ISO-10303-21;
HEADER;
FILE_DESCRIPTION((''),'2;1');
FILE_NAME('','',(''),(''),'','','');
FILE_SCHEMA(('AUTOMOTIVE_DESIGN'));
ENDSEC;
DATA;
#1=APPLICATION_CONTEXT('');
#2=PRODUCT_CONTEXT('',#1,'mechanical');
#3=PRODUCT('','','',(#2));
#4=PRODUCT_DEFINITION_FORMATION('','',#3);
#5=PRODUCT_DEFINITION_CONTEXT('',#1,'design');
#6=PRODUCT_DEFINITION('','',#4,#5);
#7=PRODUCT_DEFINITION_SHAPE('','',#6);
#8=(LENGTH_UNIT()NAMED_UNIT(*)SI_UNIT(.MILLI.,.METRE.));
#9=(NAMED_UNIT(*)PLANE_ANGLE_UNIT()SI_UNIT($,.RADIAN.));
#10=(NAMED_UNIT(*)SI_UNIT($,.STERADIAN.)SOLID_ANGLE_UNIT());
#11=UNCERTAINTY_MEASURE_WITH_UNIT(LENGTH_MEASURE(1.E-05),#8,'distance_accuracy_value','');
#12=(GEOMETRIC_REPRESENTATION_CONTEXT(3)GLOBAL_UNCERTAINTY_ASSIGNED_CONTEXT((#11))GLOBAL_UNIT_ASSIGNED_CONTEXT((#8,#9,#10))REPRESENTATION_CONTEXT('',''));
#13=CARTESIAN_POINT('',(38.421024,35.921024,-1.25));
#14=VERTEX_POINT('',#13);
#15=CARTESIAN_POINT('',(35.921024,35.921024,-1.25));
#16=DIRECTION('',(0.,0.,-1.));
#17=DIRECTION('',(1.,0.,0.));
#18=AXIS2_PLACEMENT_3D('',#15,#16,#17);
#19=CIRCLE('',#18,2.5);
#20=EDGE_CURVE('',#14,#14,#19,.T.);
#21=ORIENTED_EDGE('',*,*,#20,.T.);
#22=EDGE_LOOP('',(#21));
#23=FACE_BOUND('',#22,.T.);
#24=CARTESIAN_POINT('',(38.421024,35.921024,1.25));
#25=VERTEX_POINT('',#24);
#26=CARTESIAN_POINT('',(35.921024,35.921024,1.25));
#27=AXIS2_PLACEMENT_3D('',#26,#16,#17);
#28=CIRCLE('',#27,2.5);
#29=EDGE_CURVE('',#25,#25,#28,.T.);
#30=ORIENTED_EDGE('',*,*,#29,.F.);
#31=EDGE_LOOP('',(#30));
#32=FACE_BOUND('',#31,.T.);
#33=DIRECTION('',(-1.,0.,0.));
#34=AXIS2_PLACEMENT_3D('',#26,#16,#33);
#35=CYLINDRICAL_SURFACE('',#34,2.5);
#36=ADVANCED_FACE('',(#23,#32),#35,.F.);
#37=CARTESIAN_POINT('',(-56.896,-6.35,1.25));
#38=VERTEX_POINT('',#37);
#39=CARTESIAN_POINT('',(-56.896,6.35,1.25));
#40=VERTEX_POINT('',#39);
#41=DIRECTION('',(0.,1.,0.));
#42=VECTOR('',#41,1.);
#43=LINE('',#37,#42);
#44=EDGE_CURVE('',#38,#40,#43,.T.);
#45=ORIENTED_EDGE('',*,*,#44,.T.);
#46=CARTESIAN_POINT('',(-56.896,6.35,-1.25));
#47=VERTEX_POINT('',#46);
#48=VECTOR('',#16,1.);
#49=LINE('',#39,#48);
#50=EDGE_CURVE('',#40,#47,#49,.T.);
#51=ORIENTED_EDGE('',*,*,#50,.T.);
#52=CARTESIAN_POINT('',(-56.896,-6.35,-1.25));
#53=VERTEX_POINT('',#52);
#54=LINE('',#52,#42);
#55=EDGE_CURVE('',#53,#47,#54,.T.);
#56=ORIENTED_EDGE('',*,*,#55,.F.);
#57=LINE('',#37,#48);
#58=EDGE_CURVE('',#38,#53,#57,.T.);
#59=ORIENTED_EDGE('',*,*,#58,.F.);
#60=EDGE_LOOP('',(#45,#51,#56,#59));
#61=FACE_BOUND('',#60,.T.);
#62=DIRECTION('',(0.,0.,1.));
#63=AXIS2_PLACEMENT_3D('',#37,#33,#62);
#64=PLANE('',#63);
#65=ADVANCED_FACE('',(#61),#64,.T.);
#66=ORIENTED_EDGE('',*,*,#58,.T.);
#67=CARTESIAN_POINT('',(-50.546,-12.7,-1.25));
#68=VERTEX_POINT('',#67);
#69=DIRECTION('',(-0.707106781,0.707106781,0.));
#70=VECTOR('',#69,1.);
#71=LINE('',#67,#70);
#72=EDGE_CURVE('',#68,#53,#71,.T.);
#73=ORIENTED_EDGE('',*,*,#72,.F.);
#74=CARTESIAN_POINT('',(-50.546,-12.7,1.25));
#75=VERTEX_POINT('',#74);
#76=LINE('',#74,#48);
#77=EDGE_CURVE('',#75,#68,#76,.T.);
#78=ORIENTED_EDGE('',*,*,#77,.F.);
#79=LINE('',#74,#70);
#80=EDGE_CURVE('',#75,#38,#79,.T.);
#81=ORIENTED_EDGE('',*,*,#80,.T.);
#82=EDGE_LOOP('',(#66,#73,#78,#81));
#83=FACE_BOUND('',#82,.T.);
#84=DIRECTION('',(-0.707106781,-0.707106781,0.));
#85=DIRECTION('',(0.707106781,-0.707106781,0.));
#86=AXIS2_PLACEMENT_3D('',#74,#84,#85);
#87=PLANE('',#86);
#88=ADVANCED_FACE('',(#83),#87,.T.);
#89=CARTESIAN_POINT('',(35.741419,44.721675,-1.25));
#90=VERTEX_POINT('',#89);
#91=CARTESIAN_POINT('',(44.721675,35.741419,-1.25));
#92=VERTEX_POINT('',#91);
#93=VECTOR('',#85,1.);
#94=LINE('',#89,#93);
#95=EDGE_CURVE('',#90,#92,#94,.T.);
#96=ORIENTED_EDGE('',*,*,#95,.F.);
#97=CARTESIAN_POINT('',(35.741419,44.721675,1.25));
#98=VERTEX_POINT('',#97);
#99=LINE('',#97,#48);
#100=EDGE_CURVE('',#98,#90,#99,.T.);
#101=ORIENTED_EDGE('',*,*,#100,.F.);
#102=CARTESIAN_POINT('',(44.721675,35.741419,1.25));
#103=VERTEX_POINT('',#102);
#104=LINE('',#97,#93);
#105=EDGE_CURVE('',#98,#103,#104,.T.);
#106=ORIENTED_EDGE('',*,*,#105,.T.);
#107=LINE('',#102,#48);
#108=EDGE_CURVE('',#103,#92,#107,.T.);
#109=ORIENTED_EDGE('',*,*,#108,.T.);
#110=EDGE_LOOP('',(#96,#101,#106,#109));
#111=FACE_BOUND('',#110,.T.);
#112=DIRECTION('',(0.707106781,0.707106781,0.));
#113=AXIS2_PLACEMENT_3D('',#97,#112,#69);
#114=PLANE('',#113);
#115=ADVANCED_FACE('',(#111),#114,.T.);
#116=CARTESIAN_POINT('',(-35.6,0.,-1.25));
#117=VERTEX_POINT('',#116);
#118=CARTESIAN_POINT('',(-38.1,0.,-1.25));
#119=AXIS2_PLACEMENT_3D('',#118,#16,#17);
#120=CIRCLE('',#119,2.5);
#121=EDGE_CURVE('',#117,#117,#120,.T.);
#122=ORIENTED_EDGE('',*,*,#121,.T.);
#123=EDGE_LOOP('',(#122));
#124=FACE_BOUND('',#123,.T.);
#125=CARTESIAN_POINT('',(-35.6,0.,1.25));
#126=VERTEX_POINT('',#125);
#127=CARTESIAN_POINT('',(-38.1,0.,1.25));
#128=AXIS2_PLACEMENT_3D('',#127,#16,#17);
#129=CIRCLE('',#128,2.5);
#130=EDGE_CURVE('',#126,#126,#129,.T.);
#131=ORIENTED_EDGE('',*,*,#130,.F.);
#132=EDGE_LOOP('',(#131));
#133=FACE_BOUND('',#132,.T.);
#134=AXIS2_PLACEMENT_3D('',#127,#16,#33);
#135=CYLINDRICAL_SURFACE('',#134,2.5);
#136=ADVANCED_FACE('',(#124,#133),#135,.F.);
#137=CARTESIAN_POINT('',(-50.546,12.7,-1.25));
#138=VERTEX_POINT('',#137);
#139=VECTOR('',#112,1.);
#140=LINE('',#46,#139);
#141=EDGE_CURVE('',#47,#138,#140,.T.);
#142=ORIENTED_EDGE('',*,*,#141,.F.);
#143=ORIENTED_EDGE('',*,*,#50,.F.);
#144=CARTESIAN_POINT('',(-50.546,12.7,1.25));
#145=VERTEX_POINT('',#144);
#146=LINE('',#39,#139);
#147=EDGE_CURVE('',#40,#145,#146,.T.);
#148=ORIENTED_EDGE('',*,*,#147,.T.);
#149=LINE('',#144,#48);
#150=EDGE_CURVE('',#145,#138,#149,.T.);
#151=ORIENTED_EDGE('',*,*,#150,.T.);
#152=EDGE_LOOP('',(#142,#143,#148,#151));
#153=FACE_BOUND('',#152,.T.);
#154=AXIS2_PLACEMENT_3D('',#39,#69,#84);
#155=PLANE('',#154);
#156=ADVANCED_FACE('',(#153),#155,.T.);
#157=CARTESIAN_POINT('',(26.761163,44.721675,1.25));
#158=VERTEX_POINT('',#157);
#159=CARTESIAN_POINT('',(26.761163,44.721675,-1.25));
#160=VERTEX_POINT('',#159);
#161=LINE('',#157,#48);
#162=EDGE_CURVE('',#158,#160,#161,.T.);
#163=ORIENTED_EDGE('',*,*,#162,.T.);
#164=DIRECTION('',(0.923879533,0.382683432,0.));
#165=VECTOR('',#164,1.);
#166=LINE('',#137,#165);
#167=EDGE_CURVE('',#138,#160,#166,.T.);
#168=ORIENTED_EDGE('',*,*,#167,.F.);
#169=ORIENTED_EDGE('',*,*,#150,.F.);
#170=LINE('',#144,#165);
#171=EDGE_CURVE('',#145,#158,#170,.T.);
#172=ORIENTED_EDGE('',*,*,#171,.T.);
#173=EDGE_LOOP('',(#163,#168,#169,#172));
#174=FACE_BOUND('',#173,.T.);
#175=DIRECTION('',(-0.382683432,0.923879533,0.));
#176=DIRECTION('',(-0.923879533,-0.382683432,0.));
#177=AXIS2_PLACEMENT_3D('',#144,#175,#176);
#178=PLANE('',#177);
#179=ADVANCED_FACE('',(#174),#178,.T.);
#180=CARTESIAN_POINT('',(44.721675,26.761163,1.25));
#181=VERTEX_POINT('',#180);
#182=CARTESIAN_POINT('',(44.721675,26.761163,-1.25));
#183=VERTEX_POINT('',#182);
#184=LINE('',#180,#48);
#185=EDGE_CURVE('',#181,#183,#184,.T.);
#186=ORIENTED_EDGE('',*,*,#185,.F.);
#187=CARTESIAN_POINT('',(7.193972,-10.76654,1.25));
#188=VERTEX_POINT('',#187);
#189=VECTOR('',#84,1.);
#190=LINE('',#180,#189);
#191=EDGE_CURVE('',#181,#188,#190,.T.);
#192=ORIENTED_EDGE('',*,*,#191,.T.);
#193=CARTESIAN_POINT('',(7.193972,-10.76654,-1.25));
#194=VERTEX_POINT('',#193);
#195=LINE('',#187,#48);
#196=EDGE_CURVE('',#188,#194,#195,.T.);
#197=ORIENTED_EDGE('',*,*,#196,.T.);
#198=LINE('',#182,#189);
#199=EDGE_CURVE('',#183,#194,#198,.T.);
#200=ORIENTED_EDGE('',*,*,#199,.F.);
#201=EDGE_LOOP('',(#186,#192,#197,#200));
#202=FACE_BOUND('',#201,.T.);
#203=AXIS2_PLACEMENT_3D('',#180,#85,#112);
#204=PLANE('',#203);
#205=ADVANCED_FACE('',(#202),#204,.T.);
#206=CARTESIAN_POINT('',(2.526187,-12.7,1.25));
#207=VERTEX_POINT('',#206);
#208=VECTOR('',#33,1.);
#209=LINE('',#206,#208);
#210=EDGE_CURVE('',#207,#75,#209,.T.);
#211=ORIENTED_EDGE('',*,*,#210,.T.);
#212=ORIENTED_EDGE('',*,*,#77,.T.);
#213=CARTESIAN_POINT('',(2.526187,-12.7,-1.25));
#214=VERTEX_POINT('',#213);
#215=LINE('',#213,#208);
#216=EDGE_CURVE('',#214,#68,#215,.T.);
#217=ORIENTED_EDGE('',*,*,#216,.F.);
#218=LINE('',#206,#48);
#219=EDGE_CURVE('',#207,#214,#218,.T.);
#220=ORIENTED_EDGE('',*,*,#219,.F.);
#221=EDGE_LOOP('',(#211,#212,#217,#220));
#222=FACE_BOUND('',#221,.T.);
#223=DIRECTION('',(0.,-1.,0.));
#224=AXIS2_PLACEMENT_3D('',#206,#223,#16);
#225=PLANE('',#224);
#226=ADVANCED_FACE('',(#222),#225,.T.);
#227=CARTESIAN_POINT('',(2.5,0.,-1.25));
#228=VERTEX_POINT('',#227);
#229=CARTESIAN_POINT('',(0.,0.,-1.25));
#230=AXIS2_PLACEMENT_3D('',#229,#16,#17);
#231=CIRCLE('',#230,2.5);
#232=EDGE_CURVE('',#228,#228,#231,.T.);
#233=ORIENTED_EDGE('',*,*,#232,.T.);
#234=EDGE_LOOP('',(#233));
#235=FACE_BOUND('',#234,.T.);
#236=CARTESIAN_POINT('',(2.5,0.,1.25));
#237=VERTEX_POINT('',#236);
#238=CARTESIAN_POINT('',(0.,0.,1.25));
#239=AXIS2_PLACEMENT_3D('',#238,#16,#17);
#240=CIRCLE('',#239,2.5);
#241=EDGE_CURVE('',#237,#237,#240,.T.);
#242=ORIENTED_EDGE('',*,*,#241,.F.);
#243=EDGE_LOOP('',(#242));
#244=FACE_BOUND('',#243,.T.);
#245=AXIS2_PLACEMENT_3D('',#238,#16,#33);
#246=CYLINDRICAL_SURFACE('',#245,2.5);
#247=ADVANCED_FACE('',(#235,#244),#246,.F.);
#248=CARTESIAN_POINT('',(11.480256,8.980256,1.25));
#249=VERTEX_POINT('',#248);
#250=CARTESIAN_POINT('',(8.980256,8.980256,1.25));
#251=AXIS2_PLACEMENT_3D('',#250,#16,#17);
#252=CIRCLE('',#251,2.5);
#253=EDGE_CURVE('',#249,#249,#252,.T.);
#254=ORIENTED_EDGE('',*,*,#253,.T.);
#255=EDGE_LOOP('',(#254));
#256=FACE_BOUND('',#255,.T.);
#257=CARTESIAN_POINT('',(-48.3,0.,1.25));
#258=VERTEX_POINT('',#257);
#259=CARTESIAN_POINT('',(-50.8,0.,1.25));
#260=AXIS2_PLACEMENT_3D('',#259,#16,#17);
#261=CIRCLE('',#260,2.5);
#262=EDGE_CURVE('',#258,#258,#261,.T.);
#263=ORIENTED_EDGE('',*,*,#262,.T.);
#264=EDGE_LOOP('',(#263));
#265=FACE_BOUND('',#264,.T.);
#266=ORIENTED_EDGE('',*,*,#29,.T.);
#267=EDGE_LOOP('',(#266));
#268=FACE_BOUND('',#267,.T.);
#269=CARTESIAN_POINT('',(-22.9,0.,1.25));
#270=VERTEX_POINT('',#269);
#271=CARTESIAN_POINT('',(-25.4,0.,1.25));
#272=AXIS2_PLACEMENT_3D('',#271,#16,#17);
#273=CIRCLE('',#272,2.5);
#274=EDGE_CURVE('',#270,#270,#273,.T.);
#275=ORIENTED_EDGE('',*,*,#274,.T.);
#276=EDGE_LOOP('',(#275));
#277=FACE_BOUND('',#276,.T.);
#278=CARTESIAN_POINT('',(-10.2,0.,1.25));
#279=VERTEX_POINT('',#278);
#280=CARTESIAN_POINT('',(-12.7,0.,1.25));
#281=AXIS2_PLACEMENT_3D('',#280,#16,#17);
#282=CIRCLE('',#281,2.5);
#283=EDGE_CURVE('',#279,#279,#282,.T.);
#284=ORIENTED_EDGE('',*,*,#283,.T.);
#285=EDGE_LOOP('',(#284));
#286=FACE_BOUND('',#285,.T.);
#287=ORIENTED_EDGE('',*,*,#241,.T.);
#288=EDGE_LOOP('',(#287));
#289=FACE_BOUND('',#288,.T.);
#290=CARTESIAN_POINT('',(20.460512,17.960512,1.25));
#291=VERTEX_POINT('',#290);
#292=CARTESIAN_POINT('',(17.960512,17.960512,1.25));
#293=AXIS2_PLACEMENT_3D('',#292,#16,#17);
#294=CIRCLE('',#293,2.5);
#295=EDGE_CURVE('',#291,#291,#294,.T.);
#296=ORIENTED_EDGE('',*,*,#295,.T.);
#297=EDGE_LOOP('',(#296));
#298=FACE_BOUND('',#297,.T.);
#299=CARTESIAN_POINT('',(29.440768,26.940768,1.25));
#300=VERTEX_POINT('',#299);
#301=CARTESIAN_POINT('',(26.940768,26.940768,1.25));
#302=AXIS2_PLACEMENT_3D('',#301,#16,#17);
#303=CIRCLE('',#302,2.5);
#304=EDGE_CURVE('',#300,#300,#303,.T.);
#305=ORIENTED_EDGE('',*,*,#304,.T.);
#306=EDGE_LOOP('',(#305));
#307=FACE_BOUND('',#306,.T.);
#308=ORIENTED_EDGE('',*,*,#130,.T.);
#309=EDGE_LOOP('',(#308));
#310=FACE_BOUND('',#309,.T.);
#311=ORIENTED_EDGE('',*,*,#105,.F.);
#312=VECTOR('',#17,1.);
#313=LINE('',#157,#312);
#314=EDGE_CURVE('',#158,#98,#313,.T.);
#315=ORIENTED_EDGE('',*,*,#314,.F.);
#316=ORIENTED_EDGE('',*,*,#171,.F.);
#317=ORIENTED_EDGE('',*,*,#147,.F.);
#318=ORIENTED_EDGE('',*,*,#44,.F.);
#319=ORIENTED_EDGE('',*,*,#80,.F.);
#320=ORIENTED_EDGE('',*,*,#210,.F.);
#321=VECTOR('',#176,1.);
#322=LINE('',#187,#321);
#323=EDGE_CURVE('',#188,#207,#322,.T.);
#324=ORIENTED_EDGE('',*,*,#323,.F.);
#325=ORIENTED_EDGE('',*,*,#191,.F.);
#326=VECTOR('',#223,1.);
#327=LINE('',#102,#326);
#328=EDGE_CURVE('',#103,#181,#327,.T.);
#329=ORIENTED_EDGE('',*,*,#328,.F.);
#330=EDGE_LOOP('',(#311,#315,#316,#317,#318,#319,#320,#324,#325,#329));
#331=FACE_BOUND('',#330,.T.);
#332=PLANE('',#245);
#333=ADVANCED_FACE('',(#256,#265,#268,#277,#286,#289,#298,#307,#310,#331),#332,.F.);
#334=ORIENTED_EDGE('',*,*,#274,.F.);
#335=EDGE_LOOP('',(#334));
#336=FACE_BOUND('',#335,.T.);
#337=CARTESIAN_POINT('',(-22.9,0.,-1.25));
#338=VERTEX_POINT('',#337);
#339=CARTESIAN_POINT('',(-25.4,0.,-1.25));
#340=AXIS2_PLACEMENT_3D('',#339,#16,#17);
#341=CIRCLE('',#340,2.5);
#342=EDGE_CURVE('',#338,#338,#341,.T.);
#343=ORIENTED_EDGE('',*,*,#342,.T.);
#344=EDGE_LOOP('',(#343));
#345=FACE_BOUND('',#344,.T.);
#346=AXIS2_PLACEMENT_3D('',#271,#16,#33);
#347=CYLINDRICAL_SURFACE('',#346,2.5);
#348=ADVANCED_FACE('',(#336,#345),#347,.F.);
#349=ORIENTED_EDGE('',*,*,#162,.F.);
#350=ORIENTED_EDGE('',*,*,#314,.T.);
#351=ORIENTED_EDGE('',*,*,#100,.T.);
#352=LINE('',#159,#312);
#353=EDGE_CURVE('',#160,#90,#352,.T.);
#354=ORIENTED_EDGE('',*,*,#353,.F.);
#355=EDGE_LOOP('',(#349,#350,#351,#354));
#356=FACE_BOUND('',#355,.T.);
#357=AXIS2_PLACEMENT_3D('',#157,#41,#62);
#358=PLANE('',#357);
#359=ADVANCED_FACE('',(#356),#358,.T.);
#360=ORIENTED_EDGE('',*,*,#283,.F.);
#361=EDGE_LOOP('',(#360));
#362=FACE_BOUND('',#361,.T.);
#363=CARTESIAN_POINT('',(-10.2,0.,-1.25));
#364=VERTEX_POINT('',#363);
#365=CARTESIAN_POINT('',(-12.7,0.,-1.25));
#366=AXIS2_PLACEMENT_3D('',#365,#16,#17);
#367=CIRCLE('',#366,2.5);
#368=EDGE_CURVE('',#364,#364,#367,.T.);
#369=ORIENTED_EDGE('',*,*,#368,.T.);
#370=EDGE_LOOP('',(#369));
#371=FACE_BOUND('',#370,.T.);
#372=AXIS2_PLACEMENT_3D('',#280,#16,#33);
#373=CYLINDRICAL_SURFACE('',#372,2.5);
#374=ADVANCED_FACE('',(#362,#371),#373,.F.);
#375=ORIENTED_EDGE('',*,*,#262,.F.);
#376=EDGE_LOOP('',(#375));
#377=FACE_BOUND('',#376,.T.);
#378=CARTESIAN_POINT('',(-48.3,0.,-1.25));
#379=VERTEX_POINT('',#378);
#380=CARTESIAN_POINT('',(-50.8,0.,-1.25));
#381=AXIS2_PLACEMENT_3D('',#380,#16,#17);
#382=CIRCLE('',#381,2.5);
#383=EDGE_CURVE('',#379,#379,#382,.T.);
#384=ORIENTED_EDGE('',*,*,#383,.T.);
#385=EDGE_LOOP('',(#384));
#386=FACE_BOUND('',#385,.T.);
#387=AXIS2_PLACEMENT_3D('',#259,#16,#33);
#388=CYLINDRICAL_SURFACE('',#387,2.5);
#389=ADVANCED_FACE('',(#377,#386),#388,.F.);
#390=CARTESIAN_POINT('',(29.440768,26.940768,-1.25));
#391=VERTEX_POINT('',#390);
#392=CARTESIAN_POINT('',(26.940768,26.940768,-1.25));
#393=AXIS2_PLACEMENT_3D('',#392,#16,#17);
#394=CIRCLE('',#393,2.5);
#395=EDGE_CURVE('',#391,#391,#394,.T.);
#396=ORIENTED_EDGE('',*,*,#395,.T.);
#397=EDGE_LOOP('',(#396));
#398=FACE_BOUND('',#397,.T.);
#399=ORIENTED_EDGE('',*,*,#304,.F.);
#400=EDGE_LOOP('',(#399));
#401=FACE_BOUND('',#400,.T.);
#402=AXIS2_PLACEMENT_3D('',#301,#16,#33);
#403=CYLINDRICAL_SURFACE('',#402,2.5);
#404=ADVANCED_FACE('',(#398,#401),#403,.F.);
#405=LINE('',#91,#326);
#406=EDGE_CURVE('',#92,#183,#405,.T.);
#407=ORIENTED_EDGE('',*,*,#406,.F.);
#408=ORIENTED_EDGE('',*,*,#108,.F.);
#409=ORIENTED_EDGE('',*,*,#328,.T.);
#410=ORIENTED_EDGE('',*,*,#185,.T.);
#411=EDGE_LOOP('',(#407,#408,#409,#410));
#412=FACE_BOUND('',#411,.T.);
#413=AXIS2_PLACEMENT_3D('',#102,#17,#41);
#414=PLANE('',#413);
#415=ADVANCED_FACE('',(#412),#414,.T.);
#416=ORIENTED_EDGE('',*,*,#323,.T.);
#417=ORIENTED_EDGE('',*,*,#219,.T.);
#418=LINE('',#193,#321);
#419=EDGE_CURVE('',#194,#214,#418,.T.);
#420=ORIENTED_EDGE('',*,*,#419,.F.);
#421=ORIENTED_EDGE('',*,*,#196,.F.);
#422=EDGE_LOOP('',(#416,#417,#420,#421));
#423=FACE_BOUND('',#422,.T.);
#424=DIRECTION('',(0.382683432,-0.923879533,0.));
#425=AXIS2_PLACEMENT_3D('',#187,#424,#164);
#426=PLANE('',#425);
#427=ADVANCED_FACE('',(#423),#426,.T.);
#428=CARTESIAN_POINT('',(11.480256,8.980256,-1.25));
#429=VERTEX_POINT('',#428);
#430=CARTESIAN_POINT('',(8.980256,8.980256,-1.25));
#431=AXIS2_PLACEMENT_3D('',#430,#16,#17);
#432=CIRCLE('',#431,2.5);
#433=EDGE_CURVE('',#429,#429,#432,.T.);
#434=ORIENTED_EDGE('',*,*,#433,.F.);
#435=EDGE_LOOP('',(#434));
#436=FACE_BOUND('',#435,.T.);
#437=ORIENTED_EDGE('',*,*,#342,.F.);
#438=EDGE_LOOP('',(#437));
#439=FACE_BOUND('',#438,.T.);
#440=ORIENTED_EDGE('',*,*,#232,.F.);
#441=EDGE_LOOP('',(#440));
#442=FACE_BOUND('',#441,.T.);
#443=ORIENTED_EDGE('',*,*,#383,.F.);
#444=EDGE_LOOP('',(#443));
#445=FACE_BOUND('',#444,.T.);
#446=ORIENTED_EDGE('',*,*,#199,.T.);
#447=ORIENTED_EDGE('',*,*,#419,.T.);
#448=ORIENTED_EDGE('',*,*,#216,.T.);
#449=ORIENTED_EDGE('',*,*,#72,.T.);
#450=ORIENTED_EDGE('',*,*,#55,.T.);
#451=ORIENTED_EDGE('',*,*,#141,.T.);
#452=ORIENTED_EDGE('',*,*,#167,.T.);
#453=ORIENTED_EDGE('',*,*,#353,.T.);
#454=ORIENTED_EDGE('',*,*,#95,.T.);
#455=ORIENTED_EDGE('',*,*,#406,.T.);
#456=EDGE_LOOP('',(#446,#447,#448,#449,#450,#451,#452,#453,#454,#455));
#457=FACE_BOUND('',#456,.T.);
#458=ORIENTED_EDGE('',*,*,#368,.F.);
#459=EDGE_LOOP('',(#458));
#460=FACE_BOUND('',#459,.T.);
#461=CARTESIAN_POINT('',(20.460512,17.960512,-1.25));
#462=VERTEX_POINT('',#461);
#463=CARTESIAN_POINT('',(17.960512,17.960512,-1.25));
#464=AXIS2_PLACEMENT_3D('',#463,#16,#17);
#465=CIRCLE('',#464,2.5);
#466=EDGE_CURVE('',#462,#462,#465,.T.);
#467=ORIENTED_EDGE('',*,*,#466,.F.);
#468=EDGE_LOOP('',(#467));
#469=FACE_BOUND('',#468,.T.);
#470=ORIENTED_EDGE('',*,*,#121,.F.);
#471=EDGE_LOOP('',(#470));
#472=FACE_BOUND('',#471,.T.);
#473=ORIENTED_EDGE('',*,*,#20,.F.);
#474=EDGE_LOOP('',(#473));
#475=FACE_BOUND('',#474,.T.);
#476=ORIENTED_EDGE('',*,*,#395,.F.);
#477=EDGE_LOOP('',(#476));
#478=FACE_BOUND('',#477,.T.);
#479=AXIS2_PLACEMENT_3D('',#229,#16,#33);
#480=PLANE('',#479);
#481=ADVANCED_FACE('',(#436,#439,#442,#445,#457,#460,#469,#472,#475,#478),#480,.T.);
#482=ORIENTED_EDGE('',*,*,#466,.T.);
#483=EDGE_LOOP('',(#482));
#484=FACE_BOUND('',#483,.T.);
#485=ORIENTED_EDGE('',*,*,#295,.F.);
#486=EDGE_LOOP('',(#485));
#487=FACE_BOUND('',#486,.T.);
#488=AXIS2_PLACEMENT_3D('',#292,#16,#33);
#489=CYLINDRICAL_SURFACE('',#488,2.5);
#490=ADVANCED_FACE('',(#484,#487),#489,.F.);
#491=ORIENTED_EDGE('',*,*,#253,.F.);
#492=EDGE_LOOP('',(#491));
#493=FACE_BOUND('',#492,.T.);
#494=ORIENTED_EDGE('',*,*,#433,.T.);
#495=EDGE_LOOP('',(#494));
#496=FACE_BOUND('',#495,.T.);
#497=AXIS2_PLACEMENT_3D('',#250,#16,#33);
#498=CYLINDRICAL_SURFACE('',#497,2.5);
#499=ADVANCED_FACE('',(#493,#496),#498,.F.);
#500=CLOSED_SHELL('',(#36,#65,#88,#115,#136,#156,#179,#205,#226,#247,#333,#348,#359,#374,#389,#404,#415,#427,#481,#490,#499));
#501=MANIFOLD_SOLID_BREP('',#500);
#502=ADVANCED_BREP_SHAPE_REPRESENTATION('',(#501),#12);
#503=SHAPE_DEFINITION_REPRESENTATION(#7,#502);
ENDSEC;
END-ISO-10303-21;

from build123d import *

# Parameters (mm, degrees)
SKETCH1_R           = 2.5
BOSS_EXTRUDE1_DEPTH = 2.5


with BuildPart() as part:
    # Sketch1 → Boss-Extrude1 (new body)
    with BuildSketch(Plane(origin=(0, 0, -1.25), x_dir=(-1, 0, 0), z_dir=(0, 0, -1))):
        Polygon((50.546, 12.7), (-26.761163241, 44.721675483), (-35.741419362, 44.721675483), (-44.721675483, 35.741419362), (-44.721675483, 26.761163241), (-7.193972116, -10.766540126), (-2.526187066, -12.7), (50.546, -12.7), (56.896, -6.35), (56.896, 6.35), align=None)
        with Locations((12.7, 0)):
            Circle(SKETCH1_R, mode=Mode.SUBTRACT)
        with Locations((25.4, 0)):
            Circle(SKETCH1_R, mode=Mode.SUBTRACT)
        Circle(SKETCH1_R, mode=Mode.SUBTRACT)
        with Locations((50.8, 0)):
            Circle(SKETCH1_R, mode=Mode.SUBTRACT)
        with Locations((38.1, 0)):
            Circle(SKETCH1_R, mode=Mode.SUBTRACT)
        with Locations((-35.921024484, 35.921024484)):
            Circle(SKETCH1_R, mode=Mode.SUBTRACT)
        with Locations((-26.940768363, 26.940768363)):
            Circle(SKETCH1_R, mode=Mode.SUBTRACT)
        with Locations((-17.960512242, 17.960512242)):
            Circle(SKETCH1_R, mode=Mode.SUBTRACT)
        with Locations((-8.980256121, 8.980256121)):
            Circle(SKETCH1_R, mode=Mode.SUBTRACT)
    extrude(amount=-BOSS_EXTRUDE1_DEPTH)


solid = part.part
